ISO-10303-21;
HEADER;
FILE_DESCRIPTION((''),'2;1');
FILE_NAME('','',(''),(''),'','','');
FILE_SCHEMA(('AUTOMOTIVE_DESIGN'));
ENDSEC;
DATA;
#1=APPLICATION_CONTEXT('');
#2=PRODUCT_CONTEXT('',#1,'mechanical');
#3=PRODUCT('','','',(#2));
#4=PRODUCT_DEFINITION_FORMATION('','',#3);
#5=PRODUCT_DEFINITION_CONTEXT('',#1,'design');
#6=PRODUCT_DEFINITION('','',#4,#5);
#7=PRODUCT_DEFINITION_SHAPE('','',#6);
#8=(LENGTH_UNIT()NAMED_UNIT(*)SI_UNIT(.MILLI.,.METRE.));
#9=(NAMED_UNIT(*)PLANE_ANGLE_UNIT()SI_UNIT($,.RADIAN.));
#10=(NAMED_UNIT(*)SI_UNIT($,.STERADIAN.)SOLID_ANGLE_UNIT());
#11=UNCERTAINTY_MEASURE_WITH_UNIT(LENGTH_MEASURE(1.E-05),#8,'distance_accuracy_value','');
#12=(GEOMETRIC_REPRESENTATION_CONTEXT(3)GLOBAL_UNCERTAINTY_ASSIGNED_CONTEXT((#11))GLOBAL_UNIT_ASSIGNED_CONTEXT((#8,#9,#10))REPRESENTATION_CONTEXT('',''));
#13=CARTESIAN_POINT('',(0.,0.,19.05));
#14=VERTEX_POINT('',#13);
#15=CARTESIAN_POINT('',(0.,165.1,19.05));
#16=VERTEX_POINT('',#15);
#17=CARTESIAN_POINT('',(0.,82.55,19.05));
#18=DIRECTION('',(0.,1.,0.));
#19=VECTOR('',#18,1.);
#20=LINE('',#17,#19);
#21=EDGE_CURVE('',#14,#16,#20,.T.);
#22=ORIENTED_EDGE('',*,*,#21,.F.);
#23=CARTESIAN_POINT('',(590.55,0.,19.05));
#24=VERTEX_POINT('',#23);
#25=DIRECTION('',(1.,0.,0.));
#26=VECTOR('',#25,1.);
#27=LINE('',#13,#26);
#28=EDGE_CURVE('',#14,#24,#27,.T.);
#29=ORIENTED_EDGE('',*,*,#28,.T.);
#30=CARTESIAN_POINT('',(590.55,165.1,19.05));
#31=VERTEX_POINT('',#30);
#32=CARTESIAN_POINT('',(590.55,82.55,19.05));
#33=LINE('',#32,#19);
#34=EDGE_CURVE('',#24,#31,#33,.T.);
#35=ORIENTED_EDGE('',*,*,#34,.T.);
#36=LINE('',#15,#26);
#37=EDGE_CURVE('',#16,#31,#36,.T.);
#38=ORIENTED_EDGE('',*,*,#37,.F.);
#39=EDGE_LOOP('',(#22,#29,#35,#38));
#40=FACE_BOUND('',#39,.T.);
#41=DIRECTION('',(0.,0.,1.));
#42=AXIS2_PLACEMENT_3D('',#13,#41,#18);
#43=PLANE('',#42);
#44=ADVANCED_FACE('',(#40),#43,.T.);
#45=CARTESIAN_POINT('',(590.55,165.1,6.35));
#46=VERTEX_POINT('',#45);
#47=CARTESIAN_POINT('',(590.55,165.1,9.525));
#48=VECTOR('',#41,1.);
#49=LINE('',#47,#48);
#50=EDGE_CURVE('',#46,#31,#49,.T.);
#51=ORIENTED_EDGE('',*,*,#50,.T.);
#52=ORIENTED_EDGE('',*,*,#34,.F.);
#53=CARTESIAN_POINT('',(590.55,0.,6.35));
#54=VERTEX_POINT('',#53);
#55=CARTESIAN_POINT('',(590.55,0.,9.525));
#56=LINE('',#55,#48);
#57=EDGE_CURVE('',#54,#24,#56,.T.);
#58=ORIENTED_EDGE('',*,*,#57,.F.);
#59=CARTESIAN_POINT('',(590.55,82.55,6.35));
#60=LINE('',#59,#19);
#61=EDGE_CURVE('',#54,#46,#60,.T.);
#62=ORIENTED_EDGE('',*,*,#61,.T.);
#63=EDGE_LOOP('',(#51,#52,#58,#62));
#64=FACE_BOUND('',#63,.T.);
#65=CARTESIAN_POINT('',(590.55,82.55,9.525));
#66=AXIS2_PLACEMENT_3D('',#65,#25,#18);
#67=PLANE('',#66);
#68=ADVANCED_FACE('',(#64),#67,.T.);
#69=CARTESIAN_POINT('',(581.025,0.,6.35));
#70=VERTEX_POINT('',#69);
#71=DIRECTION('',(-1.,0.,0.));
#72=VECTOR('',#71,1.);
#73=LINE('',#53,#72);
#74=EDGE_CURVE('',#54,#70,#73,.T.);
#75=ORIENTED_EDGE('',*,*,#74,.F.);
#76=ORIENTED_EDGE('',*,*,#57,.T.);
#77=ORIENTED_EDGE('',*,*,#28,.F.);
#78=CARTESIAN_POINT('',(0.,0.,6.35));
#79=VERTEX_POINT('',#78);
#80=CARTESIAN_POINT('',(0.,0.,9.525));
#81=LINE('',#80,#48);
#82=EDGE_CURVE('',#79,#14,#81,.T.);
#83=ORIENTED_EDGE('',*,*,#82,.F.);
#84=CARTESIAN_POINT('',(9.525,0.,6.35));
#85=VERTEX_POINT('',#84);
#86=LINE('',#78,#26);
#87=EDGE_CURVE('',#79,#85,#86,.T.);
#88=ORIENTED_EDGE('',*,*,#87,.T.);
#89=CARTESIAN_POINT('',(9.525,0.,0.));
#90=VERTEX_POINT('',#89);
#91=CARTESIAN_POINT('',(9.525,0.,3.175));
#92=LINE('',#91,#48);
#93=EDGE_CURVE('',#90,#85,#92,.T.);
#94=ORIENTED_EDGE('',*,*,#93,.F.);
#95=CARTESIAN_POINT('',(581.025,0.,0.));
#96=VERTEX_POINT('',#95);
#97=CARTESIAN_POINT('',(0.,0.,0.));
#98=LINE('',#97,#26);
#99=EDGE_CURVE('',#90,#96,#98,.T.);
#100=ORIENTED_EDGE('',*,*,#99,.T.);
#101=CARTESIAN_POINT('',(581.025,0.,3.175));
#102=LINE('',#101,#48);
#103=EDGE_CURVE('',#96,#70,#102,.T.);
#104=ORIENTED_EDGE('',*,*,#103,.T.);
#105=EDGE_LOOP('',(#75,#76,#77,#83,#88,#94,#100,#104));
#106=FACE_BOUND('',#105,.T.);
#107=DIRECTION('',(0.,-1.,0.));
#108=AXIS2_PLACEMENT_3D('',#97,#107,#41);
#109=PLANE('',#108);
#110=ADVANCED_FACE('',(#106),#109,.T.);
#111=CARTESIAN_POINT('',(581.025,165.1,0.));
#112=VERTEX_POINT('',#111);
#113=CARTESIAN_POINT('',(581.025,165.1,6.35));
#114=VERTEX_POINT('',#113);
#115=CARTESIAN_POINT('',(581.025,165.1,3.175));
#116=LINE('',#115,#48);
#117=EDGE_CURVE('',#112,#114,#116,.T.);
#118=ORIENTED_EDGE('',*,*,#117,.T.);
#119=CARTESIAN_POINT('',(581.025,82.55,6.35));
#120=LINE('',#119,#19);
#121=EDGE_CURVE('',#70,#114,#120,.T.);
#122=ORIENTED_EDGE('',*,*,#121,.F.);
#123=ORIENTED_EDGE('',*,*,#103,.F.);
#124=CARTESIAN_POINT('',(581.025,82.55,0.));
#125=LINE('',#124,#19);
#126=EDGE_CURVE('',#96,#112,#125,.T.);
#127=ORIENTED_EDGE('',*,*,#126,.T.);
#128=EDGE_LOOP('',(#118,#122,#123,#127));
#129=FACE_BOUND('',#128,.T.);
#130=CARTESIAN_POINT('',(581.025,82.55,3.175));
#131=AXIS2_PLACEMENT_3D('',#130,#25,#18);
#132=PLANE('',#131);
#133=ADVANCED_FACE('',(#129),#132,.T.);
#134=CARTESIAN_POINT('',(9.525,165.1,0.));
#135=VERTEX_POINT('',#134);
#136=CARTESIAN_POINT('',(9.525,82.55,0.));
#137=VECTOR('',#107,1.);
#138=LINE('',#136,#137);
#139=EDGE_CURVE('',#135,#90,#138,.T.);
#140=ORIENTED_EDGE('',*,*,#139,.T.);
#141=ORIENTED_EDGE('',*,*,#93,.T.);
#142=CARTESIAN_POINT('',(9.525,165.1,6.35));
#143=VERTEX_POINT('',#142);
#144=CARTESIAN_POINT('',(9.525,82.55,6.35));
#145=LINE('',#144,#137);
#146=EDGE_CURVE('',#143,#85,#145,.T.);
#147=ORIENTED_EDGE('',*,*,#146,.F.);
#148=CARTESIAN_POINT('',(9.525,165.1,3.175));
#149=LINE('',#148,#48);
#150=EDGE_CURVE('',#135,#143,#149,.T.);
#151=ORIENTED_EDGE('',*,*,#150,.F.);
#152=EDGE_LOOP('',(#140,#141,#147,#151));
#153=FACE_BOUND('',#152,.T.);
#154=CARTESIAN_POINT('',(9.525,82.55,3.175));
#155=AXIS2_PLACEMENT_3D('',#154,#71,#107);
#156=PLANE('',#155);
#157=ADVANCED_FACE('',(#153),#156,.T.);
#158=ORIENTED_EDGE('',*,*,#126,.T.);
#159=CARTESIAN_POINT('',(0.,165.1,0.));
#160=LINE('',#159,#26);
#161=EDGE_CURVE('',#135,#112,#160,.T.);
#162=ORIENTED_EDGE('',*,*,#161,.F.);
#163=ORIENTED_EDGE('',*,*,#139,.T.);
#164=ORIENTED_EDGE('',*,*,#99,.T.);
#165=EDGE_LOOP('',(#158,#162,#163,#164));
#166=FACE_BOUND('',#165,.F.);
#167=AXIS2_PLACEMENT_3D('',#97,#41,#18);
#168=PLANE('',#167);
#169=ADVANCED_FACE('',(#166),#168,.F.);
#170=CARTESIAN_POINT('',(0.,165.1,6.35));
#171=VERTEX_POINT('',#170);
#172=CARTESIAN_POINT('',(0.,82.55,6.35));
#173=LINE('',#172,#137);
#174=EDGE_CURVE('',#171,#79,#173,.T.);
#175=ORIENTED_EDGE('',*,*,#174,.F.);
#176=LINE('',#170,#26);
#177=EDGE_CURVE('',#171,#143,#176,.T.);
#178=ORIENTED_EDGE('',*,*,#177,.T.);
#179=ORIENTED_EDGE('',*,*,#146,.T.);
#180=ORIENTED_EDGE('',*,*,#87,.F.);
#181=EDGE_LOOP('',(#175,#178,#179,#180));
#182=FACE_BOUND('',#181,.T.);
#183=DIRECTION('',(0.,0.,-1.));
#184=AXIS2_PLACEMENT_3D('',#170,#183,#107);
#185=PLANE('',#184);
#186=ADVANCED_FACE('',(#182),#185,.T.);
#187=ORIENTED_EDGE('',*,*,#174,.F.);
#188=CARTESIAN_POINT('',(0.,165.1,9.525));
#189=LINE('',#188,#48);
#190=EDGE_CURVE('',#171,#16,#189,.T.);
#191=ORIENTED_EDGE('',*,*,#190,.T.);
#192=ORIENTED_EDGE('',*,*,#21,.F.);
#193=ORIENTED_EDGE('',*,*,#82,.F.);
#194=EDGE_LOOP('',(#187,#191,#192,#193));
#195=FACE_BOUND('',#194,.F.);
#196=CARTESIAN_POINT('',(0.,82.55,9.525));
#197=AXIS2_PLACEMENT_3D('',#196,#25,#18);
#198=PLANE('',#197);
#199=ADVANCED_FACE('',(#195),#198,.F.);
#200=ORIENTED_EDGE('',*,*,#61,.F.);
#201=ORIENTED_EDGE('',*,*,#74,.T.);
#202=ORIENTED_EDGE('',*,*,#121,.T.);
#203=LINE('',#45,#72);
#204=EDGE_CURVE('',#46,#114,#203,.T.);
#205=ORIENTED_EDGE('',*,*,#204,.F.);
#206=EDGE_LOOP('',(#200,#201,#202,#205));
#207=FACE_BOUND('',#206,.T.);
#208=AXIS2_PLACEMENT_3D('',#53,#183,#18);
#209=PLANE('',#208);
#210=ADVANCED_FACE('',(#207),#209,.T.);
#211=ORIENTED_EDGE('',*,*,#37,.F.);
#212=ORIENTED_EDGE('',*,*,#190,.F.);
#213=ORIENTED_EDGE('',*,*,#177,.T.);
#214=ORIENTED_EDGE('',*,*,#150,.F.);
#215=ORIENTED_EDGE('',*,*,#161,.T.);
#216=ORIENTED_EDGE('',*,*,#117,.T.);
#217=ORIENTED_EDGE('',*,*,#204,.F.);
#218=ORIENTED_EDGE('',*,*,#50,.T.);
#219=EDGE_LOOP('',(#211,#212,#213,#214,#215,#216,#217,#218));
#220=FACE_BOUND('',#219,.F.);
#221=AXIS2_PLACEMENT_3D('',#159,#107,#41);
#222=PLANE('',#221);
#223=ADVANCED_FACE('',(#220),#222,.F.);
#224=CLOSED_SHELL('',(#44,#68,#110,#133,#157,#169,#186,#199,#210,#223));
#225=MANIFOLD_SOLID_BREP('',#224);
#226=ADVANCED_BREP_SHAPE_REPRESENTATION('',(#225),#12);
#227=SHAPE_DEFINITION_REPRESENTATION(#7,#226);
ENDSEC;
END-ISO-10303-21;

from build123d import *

# Parameters (mm, degrees)
F0_W     = 165.1
F0_H     = 19.05
F1_DEPTH = 590.55
F2_W     = 165.1
F2_H     = 6.35
F3_DEPTH = 9.525
F4_W     = 165.1
F4_H     = 6.35
F5_DEPTH = 9.525


with BuildPart() as f1:
    # F0 (on Right) → F1 (new body)
    with BuildSketch(Plane.YZ):
        with Locations((82.55, 9.525)):
            Rectangle(F0_W, F0_H)
    extrude(amount=F1_DEPTH)

    # F2 (on face) → F3 (cut)
    with BuildSketch(Plane.YZ.offset(590.55)):
        with Locations((82.55, 3.175)):
            Rectangle(F2_W, F2_H)
    extrude(amount=-F3_DEPTH, mode=Mode.SUBTRACT)

    # F4 (on face) → F5 (cut)
    with BuildSketch(Plane(origin=(0, 0, 0), x_dir=(0, -1, 0), z_dir=(-1, 0, 0))):
        with Locations((-82.55, 3.175)):
            Rectangle(F4_W, F4_H)
    extrude(amount=-F5_DEPTH, mode=Mode.SUBTRACT)


solid = f1.part
